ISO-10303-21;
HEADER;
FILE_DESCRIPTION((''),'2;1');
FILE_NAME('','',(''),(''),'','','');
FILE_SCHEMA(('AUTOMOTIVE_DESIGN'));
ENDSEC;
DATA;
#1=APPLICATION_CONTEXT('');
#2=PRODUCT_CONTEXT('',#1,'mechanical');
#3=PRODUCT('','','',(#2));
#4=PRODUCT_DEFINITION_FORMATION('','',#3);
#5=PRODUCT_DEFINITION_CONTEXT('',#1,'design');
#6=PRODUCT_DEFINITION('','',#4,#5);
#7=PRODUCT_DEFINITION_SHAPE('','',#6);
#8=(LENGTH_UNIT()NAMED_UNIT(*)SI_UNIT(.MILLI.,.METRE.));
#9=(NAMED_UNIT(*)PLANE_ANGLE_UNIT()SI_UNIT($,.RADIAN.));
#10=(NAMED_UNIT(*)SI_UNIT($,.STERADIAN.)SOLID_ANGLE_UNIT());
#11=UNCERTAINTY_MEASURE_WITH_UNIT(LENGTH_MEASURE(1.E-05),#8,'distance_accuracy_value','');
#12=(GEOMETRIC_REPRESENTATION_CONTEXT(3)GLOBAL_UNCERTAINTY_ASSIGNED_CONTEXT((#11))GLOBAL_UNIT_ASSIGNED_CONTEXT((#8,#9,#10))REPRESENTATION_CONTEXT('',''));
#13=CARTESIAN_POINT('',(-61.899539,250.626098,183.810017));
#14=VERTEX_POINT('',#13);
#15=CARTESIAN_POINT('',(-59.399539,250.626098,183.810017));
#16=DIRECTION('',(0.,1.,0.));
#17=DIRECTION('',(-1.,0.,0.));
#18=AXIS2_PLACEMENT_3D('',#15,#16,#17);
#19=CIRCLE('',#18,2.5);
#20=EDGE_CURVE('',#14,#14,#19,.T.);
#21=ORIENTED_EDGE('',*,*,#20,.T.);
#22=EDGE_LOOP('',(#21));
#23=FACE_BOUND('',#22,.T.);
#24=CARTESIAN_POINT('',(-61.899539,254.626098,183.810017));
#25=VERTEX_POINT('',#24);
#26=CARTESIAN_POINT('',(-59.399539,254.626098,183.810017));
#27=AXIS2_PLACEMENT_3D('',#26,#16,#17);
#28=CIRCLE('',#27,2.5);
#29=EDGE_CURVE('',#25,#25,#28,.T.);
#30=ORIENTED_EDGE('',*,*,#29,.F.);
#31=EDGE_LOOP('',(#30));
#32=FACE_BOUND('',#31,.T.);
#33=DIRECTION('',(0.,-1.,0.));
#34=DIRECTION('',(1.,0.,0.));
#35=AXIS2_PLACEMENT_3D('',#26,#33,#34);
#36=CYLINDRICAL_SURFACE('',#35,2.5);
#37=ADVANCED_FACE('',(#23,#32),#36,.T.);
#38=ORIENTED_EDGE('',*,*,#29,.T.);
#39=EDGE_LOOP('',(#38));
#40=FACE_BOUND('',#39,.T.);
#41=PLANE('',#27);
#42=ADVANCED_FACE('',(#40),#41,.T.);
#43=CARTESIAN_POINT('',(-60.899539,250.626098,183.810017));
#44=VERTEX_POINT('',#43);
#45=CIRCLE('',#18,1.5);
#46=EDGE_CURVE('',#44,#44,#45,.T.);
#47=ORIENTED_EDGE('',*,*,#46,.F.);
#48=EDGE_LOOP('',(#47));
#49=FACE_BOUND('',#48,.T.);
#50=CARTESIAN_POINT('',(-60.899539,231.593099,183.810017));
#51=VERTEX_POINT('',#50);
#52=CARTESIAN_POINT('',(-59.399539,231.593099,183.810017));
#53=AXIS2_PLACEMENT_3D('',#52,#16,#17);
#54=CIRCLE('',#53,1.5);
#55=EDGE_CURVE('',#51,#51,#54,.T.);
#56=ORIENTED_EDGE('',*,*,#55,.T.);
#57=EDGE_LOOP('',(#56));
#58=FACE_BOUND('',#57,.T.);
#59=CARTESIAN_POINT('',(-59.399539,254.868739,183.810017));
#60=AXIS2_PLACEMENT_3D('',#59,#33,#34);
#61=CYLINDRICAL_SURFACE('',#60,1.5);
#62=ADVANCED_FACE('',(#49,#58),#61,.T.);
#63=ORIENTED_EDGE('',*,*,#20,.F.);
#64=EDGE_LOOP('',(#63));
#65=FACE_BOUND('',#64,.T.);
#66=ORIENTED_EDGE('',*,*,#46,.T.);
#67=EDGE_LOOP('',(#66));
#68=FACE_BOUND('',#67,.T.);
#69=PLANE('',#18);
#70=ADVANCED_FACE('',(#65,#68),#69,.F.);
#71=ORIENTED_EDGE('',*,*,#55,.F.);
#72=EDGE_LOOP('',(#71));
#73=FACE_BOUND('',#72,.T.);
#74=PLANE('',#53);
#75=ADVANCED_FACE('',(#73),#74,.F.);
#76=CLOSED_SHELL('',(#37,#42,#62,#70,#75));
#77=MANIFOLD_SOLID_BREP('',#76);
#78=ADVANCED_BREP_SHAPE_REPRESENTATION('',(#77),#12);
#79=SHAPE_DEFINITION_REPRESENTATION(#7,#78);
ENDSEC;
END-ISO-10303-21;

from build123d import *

# Parameters (mm, degrees)
SKETCH1_R                = 1.5
BOSS_EXTRUDE1_DEPTH      = 12.032999
BOSS_EXTRUDE1_DEPTH_BACK = 7
SKETCH2_R                = 2.5
BOSS_EXTRUDE2_DEPTH      = 4


with BuildPart() as part:
    # Sketch1 → Boss-Extrude1 (new body, two sides)
    with BuildSketch(Plane(origin=(0, 238.593099078, 0), x_dir=(1, 0, 0), z_dir=(0, 1, 0))) as boss_extrude1_sk:
        with Locations((-59.399538792, -183.810017212)):
            Circle(SKETCH1_R)
    extrude(amount=BOSS_EXTRUDE1_DEPTH)
    extrude(boss_extrude1_sk.sketch, amount=-BOSS_EXTRUDE1_DEPTH_BACK)

    # Sketch2 → Boss-Extrude2 (add)
    with BuildSketch(Plane(origin=(0, 250.626098268, 0), x_dir=(1, 0, 0), z_dir=(0, 1, 0))):
        with Locations((-59.399538792, -183.810017212)):
            Circle(SKETCH2_R)
    extrude(amount=BOSS_EXTRUDE2_DEPTH)


solid = part.part
